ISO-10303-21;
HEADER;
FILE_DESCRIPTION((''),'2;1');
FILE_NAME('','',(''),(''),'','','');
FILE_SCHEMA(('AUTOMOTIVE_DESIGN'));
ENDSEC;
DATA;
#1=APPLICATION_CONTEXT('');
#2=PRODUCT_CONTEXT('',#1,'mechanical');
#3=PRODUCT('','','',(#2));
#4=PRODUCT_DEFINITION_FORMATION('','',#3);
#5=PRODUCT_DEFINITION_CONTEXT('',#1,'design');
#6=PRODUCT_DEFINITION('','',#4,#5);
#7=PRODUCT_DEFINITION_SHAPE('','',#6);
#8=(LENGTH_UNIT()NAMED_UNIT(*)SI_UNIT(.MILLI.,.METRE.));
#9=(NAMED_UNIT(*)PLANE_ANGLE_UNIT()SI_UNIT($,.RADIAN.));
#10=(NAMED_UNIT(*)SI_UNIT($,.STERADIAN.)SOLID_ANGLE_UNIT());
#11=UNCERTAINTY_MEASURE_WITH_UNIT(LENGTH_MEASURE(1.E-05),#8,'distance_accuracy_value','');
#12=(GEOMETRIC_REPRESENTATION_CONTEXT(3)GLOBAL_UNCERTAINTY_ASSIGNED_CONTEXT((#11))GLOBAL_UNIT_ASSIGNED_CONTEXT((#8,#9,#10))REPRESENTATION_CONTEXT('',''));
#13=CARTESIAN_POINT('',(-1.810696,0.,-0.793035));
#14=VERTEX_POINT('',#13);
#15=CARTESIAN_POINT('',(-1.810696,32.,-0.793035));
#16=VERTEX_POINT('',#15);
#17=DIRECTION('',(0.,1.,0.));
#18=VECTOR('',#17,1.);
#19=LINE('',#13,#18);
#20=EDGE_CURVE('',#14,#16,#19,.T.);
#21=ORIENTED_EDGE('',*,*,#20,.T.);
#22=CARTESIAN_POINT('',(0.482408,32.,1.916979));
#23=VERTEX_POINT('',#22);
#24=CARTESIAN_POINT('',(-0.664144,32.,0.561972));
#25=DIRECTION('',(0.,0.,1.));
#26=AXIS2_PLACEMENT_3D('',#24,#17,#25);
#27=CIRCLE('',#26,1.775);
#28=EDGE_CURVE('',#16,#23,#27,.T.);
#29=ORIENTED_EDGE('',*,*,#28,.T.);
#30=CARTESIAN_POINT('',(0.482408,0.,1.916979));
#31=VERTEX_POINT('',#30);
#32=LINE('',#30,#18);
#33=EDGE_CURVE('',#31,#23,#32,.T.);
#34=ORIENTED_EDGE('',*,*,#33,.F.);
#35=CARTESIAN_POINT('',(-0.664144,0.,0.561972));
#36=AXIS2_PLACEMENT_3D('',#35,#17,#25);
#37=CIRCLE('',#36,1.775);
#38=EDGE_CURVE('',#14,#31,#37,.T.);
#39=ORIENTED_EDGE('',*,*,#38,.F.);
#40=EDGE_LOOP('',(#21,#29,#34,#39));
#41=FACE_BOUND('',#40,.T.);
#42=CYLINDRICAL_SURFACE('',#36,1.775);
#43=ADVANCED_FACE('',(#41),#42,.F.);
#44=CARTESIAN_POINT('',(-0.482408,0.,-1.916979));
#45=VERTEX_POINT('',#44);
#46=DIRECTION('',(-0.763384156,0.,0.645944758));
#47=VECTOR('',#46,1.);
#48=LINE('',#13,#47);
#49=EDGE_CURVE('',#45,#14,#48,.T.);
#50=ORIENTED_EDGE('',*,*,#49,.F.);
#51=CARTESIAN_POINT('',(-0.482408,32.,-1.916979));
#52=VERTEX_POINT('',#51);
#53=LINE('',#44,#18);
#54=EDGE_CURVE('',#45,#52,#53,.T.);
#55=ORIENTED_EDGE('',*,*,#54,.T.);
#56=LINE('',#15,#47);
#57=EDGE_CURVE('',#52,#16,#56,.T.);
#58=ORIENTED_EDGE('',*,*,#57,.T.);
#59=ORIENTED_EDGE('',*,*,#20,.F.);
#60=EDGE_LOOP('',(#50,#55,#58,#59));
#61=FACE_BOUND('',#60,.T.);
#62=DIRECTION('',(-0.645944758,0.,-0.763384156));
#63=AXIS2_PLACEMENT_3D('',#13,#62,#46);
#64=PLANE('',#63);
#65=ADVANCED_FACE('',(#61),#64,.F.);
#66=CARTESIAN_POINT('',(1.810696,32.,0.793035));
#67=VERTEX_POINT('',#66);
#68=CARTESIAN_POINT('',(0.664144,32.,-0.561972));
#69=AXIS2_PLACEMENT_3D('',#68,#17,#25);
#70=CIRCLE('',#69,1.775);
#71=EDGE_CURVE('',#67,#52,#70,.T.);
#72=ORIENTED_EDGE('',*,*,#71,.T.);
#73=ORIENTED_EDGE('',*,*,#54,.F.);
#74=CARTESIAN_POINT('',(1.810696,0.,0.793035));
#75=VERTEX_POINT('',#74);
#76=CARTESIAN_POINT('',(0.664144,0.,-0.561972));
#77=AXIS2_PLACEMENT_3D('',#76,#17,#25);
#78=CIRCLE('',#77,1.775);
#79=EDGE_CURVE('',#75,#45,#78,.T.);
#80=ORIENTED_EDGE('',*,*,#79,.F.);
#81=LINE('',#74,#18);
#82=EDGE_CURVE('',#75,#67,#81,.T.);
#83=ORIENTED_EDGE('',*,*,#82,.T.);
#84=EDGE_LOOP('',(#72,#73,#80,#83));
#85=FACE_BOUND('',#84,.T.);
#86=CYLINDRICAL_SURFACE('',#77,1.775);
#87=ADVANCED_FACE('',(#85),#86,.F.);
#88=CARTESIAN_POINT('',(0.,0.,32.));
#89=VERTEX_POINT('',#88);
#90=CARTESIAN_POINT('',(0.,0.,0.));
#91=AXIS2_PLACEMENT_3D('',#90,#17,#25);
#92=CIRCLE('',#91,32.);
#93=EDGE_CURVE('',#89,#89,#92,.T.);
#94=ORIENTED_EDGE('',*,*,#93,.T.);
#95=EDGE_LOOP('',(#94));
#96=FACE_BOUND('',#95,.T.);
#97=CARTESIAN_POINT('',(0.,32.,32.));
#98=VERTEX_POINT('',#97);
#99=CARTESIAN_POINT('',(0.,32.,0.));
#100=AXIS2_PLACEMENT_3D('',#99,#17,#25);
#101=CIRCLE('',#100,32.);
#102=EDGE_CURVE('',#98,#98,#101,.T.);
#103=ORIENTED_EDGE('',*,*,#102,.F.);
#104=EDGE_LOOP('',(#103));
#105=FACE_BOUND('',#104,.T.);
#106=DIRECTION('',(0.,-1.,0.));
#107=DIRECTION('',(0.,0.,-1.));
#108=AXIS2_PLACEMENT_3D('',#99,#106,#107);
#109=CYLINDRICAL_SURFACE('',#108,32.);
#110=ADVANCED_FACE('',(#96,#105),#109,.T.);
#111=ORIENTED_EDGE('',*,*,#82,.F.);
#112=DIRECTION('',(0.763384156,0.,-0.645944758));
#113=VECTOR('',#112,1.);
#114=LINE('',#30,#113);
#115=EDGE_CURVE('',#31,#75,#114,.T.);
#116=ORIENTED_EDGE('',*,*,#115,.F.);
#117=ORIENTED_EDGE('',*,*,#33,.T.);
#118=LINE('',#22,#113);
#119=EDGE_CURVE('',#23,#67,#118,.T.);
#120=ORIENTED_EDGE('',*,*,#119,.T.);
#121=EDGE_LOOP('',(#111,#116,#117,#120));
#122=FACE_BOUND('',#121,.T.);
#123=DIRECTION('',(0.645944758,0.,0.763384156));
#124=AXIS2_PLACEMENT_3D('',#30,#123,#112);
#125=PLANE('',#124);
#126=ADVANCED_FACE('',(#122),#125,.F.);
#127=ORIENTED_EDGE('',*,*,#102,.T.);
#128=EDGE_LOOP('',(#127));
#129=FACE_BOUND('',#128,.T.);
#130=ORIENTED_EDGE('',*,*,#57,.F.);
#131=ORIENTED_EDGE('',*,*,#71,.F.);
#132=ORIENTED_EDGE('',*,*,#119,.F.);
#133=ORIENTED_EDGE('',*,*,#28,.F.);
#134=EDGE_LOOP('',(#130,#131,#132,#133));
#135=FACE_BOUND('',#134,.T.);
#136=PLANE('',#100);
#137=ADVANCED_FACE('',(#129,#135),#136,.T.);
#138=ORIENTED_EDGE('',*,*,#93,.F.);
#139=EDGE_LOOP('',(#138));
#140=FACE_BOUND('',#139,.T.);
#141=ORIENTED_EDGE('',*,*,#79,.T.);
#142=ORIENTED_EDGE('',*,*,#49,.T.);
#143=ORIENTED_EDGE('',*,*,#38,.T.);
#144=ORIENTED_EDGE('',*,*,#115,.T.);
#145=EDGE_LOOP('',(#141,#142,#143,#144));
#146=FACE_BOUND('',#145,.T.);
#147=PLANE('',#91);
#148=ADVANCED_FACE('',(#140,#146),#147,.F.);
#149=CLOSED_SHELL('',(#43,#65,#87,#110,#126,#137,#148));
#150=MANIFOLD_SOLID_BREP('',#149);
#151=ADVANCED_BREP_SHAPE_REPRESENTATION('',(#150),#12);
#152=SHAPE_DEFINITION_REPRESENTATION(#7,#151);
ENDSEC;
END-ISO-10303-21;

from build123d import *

# Parameters (mm, degrees)
SKETCH1_R           = 32
BOSS_EXTRUDE1_DEPTH = 32
CUT_EXTRUDE1_DEPTH  = 56.425625842


with BuildPart() as part:
    # Sketch1 → Boss-Extrude1 (new body)
    with BuildSketch(Plane(origin=(0, 0, 0), x_dir=(1, 0, 0), z_dir=(0, 1, 0))):
        with Locations(Location((0, 0, 0), (0, 0, 270))):
            Circle(SKETCH1_R)
    extrude(amount=BOSS_EXTRUDE1_DEPTH)

    # Sketch2 → Cut-Extrude1 (cut, through all)
    with BuildSketch(Plane(origin=(0, 32, 0), x_dir=(1, 0, 0), z_dir=(0, 1, 0))):
        with BuildLine():
            Line((-1.810696161, 0.793034938), (-0.482407729, 1.916978816))
            ThreePointArc((-0.482407729, 1.916978816), (2.019151093, 1.708523884), (1.810696161, -0.793034938))
            Line((1.810696161, -0.793034938), (0.482407729, -1.916978816))
            ThreePointArc((0.482407729, -1.916978816), (-2.019151093, -1.708523884), (-1.810696161, 0.793034938))
        make_face()
    extrude(amount=-CUT_EXTRUDE1_DEPTH, mode=Mode.SUBTRACT)


solid = part.part
